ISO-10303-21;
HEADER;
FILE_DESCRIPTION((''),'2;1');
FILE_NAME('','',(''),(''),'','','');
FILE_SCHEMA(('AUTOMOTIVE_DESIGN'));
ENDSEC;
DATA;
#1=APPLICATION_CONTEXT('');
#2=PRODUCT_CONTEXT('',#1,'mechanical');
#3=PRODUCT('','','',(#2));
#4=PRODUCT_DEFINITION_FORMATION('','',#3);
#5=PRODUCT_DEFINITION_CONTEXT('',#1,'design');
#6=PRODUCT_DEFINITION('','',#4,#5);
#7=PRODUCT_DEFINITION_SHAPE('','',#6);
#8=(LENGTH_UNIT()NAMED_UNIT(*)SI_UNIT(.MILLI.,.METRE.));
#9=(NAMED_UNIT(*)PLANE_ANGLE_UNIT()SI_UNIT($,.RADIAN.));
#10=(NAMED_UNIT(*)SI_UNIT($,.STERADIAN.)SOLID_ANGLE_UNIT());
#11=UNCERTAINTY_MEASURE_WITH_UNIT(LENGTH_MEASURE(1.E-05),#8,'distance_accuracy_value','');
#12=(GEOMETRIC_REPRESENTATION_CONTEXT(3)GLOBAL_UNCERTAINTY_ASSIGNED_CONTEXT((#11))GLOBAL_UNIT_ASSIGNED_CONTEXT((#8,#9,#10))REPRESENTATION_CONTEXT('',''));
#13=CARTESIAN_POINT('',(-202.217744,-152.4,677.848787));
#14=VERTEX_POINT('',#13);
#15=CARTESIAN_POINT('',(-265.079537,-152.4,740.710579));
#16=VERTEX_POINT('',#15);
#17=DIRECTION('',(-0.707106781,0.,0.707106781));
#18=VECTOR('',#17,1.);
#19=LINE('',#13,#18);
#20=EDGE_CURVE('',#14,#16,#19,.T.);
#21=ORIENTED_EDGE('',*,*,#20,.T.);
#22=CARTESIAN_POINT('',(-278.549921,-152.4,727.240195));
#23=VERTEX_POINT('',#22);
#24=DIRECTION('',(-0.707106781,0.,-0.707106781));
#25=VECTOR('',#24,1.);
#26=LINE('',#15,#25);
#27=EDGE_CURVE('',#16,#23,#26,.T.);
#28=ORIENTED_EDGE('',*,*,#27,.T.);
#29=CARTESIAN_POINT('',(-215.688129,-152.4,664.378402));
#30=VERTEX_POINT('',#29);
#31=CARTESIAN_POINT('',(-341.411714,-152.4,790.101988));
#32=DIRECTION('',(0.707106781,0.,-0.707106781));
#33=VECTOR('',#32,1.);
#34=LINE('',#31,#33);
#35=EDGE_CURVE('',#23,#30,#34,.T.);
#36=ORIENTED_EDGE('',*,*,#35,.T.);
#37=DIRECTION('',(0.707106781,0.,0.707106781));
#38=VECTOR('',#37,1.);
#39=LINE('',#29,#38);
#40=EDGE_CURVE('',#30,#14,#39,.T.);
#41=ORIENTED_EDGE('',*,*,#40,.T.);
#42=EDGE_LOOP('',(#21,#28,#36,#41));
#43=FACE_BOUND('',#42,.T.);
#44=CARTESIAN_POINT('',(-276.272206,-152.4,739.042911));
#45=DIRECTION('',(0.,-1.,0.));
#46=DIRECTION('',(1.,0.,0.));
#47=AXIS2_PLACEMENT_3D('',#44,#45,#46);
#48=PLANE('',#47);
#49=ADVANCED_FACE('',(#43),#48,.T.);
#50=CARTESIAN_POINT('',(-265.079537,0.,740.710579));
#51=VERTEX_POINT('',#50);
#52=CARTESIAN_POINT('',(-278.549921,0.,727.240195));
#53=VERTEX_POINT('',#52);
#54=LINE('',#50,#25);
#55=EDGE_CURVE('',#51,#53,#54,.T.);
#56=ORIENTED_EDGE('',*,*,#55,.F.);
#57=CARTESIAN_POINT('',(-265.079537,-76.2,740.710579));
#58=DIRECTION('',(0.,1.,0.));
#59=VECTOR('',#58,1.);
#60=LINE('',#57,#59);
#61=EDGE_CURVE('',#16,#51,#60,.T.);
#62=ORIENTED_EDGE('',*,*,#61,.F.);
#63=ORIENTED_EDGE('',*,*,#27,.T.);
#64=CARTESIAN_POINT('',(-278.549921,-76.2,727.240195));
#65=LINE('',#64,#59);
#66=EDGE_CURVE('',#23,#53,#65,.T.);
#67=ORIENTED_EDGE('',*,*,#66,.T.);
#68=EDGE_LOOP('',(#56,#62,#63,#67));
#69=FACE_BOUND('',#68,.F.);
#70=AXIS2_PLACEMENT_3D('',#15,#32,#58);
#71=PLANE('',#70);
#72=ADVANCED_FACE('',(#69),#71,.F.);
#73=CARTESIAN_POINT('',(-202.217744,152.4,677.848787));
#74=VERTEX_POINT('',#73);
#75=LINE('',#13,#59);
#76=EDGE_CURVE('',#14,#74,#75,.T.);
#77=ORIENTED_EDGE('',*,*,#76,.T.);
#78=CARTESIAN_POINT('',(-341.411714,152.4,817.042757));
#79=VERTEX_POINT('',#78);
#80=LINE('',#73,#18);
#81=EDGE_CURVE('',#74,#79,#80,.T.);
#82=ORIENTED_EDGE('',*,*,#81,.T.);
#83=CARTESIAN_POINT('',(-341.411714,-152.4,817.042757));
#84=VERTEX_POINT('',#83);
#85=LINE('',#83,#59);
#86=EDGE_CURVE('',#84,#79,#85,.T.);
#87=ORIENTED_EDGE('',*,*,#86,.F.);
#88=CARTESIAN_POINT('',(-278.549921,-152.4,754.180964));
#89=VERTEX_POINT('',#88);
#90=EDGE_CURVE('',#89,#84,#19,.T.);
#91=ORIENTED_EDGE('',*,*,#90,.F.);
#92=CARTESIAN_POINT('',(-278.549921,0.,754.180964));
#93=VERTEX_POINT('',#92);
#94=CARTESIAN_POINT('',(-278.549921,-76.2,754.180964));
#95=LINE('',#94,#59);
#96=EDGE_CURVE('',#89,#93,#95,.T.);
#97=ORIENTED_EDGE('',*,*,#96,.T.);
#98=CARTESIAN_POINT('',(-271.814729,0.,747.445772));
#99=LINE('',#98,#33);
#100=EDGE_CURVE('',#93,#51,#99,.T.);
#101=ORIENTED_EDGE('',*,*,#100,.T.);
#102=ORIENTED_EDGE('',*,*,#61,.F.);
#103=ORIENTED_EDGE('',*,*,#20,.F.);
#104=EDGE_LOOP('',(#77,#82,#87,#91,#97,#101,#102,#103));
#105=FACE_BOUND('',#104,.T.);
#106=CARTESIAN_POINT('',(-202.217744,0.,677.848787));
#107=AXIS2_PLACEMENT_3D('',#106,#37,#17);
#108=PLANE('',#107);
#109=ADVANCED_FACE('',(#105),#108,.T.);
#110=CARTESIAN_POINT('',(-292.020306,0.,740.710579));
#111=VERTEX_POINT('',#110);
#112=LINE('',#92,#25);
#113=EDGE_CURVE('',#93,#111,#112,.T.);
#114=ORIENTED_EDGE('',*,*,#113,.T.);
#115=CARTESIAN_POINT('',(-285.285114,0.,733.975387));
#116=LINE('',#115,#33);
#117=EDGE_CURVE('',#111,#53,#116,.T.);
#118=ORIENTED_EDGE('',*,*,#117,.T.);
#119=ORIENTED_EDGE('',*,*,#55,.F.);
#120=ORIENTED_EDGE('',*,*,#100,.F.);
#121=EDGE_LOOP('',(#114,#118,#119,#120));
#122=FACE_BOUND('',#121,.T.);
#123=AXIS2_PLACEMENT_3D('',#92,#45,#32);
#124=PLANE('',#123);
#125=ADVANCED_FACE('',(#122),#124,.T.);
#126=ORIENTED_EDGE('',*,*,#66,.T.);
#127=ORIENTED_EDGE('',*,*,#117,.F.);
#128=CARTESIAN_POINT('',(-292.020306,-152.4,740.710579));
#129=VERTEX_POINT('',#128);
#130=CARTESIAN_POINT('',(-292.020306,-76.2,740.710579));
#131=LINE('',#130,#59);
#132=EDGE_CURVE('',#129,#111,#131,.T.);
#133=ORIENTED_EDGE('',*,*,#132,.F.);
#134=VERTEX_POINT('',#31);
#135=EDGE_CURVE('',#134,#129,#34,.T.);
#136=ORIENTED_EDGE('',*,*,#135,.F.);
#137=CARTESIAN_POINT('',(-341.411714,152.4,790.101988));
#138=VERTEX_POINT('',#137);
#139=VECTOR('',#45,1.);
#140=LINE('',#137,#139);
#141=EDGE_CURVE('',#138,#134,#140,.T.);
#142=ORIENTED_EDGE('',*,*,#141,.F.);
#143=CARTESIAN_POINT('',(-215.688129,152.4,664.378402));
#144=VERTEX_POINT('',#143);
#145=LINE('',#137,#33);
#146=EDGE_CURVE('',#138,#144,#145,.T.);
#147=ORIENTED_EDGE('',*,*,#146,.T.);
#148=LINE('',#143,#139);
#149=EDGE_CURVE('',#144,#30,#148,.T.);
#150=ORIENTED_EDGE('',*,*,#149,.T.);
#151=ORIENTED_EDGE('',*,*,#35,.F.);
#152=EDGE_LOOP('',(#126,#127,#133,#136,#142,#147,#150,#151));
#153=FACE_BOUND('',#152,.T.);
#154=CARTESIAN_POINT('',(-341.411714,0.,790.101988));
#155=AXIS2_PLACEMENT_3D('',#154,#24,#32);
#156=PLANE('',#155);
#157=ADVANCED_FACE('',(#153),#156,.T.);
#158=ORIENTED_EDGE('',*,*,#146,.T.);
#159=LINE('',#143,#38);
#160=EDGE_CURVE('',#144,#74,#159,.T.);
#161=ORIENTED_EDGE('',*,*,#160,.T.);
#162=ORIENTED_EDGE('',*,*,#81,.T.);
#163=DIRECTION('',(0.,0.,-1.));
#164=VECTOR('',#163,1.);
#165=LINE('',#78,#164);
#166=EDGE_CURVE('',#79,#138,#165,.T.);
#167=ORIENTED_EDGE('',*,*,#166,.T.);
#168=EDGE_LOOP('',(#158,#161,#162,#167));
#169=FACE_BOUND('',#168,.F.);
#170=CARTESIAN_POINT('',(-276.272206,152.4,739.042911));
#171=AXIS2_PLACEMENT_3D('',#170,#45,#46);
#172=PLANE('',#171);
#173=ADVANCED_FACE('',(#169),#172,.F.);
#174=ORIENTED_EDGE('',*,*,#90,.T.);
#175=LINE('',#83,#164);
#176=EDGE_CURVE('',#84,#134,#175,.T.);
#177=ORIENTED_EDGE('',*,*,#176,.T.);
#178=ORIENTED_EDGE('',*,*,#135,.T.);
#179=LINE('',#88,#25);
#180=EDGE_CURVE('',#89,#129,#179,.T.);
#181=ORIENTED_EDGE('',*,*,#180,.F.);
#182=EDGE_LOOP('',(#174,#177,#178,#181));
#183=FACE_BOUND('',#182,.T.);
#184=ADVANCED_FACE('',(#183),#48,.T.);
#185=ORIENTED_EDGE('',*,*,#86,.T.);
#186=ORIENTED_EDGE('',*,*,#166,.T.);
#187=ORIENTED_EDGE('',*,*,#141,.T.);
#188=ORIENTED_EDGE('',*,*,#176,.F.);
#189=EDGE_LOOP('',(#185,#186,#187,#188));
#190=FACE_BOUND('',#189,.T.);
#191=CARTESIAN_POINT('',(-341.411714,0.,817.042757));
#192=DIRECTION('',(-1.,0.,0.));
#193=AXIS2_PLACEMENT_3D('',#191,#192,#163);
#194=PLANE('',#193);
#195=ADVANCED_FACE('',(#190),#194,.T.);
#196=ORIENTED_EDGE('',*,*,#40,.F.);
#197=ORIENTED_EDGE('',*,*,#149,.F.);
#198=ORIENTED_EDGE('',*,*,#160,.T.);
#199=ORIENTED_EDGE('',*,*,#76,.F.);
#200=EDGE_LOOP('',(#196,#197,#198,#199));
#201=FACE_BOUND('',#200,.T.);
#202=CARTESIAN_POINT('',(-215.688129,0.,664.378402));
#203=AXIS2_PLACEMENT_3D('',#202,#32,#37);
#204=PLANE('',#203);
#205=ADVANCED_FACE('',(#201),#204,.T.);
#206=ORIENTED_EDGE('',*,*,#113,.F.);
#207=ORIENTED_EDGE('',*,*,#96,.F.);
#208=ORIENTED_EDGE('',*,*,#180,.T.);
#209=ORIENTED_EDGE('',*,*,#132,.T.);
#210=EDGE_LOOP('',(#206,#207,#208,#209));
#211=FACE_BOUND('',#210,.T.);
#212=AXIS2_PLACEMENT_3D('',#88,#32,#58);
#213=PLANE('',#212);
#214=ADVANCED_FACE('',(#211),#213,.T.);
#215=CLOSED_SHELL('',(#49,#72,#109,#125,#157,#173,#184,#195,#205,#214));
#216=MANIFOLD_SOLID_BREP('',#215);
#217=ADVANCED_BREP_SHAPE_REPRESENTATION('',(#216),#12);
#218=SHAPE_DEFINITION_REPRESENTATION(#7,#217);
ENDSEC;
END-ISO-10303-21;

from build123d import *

# Parameters (mm, degrees)
F1_DEPTH = 152.4
F2_W     = 19.05
F2_H     = 152.4
F3_DEPTH = 19.05


with BuildPart() as f1:
    # F0 (on Front) → F1 (new body, symmetric)
    with BuildSketch(Plane.XZ):
        Polygon((-341.4117142798, 817.0427565066), (-341.4117142798, 790.1019881433), (-215.6881285848, 664.3784024484), (-202.2177444032, 677.84878663), align=None)
    extrude(amount=F1_DEPTH, both=True)

    # F2 (on face) → F3 (cut)
    with BuildSketch(Plane(origin=(237.8155211134, 0, 237.8155211134), x_dir=(0.7071067812, 0, -0.7071067812), z_dir=(0.7071067812, 0, 0.7071067812))):
        with Locations((-720.7260119889, -76.2)):
            Rectangle(F2_W, F2_H)
    extrude(amount=-F3_DEPTH, mode=Mode.SUBTRACT)


solid = f1.part
